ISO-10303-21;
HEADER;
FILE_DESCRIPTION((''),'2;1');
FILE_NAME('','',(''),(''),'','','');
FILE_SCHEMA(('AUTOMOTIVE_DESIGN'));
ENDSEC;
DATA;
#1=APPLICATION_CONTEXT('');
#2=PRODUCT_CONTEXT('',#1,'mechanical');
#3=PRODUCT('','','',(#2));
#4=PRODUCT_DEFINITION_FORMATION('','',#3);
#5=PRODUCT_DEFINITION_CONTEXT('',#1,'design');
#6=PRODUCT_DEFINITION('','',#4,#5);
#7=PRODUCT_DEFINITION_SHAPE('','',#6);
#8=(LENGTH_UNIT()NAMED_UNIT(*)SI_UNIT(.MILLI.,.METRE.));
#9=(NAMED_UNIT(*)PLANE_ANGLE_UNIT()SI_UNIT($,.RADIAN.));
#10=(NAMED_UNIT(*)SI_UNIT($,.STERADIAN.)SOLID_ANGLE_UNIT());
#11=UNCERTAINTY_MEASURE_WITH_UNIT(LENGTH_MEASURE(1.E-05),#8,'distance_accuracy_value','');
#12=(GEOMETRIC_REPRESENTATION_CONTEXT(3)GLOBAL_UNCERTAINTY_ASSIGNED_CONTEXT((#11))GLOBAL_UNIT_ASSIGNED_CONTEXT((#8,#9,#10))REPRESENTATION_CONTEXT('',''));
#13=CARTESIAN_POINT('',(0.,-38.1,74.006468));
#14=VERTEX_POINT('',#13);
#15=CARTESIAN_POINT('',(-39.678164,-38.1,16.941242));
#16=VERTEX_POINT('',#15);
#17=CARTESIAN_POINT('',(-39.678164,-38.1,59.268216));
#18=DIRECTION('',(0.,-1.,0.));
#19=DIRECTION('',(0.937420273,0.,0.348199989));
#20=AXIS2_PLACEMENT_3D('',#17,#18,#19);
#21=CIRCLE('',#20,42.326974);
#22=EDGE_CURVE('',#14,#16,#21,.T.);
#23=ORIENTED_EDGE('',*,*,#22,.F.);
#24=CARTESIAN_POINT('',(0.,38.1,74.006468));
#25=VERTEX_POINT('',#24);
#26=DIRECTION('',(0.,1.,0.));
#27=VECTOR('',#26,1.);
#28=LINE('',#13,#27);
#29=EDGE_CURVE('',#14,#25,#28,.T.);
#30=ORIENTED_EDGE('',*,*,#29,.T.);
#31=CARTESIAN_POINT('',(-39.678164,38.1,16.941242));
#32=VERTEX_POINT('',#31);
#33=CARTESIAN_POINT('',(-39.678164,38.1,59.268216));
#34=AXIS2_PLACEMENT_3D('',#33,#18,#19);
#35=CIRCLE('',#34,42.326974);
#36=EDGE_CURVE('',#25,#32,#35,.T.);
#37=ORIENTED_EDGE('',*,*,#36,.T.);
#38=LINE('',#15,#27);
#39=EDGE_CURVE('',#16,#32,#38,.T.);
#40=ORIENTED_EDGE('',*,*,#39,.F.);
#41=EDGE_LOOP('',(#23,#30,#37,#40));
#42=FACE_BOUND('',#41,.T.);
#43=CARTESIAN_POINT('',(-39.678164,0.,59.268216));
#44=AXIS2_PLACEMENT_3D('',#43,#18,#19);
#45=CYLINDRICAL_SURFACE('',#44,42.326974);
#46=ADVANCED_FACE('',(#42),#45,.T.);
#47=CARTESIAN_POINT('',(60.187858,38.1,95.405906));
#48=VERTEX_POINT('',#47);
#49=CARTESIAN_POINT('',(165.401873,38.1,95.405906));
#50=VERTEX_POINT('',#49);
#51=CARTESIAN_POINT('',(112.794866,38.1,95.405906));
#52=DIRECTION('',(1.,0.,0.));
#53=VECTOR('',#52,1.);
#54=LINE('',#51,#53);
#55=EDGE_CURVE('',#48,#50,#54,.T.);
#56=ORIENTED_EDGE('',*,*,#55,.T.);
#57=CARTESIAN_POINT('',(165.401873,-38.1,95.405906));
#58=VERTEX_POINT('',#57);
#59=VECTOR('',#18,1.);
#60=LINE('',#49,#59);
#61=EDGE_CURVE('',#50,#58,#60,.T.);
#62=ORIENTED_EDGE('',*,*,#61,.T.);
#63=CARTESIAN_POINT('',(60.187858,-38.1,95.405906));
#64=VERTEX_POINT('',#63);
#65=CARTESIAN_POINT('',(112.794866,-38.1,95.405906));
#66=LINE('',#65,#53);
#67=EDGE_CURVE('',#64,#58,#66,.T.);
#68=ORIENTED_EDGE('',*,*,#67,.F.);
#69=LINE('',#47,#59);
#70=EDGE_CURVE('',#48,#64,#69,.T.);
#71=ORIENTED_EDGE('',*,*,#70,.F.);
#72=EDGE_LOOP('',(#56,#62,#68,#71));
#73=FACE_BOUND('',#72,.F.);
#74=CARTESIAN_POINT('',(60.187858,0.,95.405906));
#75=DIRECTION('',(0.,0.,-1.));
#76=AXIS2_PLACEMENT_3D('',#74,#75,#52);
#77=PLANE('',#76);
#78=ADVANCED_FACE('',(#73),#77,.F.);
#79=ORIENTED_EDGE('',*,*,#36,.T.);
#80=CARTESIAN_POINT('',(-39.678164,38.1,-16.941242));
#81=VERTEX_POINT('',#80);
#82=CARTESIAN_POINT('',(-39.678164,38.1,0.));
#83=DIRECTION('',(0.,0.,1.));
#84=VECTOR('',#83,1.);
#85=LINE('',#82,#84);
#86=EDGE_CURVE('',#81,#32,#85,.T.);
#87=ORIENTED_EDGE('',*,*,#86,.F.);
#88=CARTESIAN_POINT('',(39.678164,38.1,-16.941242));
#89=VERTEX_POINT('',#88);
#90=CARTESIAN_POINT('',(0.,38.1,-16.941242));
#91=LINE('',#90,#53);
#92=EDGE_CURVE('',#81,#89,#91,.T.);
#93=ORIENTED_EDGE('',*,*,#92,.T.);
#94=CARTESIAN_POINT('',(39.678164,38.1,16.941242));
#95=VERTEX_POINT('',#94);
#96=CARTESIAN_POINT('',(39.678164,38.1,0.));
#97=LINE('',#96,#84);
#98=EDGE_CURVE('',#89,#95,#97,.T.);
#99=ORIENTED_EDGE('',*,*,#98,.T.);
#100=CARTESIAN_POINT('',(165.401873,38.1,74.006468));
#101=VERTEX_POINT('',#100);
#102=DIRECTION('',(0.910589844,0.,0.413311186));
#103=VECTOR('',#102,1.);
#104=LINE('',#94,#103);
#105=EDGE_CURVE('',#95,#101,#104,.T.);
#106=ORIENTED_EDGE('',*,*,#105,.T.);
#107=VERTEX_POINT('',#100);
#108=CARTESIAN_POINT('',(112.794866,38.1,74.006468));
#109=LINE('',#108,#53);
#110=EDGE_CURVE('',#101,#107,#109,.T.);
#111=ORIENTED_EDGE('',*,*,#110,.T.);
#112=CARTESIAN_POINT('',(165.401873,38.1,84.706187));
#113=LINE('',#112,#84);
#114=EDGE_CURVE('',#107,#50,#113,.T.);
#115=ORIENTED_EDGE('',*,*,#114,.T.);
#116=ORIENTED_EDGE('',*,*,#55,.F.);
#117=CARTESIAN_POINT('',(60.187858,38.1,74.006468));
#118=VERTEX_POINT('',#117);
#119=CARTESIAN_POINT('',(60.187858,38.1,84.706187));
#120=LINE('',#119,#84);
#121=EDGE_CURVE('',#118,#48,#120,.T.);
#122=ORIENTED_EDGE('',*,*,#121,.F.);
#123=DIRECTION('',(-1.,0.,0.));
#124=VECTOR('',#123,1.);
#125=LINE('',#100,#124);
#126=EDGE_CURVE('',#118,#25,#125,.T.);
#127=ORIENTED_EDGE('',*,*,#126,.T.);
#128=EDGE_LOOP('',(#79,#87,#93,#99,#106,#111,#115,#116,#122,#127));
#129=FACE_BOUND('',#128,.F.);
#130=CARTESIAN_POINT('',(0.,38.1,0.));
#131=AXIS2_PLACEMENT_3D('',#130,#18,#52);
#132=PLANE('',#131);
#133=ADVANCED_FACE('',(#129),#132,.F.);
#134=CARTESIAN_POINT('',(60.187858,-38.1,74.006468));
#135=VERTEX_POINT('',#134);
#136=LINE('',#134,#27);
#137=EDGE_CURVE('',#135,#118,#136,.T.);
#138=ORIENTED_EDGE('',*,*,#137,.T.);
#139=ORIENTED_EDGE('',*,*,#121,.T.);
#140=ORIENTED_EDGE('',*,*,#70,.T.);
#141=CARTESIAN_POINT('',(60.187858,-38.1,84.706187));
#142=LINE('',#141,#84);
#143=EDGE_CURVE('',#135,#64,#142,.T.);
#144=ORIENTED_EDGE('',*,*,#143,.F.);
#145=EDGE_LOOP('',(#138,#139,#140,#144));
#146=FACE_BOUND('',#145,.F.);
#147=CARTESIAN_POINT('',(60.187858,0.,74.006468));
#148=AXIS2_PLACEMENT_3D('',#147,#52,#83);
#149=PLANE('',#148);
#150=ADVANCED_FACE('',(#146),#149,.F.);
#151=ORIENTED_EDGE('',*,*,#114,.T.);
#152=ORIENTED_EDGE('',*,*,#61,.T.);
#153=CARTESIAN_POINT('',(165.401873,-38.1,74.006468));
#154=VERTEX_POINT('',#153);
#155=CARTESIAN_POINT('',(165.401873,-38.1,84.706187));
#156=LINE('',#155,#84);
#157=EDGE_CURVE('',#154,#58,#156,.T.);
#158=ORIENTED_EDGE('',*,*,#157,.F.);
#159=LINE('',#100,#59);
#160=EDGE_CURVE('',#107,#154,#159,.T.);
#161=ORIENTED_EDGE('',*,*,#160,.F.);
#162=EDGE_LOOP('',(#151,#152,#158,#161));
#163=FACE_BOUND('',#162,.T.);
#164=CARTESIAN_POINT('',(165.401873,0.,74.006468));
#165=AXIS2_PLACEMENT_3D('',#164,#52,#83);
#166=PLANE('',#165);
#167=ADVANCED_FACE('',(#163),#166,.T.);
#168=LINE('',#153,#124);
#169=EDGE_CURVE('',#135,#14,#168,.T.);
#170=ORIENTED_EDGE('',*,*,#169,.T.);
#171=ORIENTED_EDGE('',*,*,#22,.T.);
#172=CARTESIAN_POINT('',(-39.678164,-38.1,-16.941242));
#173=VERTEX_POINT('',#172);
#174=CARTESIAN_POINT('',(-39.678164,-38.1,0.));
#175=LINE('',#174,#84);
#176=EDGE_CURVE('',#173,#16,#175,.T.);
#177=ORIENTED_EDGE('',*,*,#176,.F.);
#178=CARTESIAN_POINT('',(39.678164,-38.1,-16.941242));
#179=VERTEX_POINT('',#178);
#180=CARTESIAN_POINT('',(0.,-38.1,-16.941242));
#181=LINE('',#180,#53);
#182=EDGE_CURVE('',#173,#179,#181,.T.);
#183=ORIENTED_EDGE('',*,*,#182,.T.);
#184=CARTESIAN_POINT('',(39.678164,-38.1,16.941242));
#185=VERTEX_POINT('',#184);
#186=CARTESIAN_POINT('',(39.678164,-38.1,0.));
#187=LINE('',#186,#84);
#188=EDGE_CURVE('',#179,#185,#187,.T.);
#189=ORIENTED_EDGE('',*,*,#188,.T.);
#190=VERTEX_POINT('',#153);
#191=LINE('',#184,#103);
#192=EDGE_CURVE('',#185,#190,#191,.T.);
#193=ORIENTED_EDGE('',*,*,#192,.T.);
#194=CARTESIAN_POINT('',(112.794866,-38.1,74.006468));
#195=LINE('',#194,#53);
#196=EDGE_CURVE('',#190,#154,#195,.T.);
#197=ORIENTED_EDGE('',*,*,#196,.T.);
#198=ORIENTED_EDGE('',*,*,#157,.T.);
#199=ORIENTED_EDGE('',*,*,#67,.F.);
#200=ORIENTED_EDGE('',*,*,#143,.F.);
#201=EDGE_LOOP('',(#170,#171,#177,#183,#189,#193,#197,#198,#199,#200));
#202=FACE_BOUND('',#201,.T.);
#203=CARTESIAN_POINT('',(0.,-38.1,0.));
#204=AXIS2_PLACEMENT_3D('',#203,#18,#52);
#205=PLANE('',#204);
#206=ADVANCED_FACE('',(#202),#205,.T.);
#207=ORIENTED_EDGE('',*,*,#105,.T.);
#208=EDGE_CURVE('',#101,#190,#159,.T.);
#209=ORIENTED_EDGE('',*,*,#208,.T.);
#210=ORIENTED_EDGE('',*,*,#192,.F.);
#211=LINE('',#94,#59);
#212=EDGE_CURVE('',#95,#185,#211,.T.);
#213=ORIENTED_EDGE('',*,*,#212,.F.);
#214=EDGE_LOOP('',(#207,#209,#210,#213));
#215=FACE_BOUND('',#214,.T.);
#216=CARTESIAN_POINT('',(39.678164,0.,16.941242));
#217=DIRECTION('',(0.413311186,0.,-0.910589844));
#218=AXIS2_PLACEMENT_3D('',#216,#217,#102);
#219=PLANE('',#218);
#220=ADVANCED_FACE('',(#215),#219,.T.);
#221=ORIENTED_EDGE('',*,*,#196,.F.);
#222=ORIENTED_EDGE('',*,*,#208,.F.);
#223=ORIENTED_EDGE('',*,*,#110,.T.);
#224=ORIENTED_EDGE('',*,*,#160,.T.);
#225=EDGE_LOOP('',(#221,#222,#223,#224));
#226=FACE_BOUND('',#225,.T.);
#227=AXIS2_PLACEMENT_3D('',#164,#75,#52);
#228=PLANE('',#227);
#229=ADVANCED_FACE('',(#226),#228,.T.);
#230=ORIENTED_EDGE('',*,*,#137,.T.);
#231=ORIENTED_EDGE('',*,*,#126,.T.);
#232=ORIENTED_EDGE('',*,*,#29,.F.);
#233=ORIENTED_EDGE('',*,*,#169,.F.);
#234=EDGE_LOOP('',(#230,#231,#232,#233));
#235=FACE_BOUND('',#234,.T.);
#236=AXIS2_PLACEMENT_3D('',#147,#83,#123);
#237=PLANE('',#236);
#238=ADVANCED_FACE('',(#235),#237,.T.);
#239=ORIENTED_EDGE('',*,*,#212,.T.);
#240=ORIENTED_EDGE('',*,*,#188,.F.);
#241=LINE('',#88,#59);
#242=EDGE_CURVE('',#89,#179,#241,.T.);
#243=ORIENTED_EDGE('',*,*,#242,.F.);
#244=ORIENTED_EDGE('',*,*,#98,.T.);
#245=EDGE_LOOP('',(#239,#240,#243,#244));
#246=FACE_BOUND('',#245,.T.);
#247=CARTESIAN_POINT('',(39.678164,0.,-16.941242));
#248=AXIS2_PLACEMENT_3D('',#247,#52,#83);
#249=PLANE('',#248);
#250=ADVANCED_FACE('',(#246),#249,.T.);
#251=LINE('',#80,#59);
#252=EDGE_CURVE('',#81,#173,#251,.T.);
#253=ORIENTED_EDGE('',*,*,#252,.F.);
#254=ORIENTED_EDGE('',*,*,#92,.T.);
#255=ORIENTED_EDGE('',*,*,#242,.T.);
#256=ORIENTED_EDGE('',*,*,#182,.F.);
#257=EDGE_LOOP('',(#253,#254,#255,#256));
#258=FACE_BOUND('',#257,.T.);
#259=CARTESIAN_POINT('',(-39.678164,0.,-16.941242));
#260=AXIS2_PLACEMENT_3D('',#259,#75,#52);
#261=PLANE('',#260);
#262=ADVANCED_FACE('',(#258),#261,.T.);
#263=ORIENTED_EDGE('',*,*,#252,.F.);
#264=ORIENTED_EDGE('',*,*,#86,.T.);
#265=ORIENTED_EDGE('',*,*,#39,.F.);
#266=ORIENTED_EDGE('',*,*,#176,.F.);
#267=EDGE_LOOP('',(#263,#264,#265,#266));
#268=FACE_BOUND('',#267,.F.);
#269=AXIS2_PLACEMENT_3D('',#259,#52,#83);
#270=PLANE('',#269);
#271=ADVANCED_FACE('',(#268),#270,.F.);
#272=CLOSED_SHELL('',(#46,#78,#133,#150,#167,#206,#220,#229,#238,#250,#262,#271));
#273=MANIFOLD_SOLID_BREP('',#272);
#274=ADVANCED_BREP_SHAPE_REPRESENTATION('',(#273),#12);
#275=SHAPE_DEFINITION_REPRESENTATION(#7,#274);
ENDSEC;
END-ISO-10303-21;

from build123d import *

# Parameters (mm, degrees)
F0_W     = 79.356328
F0_H     = 33.882484
F0_W_2   = 105.214015
F0_H_2   = 21.399438
F1_DEPTH = 38.1


with BuildPart() as f1:
    # F0 (on Front) → F1 (new body, symmetric)
    with BuildSketch(Plane.XZ):
        Rectangle(F0_W, F0_H)
        with BuildLine():
            ThreePointArc((0, 74.006468), (-74.43013, 83.431692), (-39.678164, 16.941242))
            Line((-39.678164, 16.941242), (39.678164, 16.941242))
            Line((39.678164, 16.941242), (165.401873, 74.006468))
            Line((165.401873, 74.006468), (60.187858, 74.006468))
            Line((60.187858, 74.006468), (0, 74.006468))
        make_face()
        with Locations((112.794866, 84.706187)):
            Rectangle(F0_W_2, F0_H_2)
    extrude(amount=F1_DEPTH, both=True)


solid = f1.part
